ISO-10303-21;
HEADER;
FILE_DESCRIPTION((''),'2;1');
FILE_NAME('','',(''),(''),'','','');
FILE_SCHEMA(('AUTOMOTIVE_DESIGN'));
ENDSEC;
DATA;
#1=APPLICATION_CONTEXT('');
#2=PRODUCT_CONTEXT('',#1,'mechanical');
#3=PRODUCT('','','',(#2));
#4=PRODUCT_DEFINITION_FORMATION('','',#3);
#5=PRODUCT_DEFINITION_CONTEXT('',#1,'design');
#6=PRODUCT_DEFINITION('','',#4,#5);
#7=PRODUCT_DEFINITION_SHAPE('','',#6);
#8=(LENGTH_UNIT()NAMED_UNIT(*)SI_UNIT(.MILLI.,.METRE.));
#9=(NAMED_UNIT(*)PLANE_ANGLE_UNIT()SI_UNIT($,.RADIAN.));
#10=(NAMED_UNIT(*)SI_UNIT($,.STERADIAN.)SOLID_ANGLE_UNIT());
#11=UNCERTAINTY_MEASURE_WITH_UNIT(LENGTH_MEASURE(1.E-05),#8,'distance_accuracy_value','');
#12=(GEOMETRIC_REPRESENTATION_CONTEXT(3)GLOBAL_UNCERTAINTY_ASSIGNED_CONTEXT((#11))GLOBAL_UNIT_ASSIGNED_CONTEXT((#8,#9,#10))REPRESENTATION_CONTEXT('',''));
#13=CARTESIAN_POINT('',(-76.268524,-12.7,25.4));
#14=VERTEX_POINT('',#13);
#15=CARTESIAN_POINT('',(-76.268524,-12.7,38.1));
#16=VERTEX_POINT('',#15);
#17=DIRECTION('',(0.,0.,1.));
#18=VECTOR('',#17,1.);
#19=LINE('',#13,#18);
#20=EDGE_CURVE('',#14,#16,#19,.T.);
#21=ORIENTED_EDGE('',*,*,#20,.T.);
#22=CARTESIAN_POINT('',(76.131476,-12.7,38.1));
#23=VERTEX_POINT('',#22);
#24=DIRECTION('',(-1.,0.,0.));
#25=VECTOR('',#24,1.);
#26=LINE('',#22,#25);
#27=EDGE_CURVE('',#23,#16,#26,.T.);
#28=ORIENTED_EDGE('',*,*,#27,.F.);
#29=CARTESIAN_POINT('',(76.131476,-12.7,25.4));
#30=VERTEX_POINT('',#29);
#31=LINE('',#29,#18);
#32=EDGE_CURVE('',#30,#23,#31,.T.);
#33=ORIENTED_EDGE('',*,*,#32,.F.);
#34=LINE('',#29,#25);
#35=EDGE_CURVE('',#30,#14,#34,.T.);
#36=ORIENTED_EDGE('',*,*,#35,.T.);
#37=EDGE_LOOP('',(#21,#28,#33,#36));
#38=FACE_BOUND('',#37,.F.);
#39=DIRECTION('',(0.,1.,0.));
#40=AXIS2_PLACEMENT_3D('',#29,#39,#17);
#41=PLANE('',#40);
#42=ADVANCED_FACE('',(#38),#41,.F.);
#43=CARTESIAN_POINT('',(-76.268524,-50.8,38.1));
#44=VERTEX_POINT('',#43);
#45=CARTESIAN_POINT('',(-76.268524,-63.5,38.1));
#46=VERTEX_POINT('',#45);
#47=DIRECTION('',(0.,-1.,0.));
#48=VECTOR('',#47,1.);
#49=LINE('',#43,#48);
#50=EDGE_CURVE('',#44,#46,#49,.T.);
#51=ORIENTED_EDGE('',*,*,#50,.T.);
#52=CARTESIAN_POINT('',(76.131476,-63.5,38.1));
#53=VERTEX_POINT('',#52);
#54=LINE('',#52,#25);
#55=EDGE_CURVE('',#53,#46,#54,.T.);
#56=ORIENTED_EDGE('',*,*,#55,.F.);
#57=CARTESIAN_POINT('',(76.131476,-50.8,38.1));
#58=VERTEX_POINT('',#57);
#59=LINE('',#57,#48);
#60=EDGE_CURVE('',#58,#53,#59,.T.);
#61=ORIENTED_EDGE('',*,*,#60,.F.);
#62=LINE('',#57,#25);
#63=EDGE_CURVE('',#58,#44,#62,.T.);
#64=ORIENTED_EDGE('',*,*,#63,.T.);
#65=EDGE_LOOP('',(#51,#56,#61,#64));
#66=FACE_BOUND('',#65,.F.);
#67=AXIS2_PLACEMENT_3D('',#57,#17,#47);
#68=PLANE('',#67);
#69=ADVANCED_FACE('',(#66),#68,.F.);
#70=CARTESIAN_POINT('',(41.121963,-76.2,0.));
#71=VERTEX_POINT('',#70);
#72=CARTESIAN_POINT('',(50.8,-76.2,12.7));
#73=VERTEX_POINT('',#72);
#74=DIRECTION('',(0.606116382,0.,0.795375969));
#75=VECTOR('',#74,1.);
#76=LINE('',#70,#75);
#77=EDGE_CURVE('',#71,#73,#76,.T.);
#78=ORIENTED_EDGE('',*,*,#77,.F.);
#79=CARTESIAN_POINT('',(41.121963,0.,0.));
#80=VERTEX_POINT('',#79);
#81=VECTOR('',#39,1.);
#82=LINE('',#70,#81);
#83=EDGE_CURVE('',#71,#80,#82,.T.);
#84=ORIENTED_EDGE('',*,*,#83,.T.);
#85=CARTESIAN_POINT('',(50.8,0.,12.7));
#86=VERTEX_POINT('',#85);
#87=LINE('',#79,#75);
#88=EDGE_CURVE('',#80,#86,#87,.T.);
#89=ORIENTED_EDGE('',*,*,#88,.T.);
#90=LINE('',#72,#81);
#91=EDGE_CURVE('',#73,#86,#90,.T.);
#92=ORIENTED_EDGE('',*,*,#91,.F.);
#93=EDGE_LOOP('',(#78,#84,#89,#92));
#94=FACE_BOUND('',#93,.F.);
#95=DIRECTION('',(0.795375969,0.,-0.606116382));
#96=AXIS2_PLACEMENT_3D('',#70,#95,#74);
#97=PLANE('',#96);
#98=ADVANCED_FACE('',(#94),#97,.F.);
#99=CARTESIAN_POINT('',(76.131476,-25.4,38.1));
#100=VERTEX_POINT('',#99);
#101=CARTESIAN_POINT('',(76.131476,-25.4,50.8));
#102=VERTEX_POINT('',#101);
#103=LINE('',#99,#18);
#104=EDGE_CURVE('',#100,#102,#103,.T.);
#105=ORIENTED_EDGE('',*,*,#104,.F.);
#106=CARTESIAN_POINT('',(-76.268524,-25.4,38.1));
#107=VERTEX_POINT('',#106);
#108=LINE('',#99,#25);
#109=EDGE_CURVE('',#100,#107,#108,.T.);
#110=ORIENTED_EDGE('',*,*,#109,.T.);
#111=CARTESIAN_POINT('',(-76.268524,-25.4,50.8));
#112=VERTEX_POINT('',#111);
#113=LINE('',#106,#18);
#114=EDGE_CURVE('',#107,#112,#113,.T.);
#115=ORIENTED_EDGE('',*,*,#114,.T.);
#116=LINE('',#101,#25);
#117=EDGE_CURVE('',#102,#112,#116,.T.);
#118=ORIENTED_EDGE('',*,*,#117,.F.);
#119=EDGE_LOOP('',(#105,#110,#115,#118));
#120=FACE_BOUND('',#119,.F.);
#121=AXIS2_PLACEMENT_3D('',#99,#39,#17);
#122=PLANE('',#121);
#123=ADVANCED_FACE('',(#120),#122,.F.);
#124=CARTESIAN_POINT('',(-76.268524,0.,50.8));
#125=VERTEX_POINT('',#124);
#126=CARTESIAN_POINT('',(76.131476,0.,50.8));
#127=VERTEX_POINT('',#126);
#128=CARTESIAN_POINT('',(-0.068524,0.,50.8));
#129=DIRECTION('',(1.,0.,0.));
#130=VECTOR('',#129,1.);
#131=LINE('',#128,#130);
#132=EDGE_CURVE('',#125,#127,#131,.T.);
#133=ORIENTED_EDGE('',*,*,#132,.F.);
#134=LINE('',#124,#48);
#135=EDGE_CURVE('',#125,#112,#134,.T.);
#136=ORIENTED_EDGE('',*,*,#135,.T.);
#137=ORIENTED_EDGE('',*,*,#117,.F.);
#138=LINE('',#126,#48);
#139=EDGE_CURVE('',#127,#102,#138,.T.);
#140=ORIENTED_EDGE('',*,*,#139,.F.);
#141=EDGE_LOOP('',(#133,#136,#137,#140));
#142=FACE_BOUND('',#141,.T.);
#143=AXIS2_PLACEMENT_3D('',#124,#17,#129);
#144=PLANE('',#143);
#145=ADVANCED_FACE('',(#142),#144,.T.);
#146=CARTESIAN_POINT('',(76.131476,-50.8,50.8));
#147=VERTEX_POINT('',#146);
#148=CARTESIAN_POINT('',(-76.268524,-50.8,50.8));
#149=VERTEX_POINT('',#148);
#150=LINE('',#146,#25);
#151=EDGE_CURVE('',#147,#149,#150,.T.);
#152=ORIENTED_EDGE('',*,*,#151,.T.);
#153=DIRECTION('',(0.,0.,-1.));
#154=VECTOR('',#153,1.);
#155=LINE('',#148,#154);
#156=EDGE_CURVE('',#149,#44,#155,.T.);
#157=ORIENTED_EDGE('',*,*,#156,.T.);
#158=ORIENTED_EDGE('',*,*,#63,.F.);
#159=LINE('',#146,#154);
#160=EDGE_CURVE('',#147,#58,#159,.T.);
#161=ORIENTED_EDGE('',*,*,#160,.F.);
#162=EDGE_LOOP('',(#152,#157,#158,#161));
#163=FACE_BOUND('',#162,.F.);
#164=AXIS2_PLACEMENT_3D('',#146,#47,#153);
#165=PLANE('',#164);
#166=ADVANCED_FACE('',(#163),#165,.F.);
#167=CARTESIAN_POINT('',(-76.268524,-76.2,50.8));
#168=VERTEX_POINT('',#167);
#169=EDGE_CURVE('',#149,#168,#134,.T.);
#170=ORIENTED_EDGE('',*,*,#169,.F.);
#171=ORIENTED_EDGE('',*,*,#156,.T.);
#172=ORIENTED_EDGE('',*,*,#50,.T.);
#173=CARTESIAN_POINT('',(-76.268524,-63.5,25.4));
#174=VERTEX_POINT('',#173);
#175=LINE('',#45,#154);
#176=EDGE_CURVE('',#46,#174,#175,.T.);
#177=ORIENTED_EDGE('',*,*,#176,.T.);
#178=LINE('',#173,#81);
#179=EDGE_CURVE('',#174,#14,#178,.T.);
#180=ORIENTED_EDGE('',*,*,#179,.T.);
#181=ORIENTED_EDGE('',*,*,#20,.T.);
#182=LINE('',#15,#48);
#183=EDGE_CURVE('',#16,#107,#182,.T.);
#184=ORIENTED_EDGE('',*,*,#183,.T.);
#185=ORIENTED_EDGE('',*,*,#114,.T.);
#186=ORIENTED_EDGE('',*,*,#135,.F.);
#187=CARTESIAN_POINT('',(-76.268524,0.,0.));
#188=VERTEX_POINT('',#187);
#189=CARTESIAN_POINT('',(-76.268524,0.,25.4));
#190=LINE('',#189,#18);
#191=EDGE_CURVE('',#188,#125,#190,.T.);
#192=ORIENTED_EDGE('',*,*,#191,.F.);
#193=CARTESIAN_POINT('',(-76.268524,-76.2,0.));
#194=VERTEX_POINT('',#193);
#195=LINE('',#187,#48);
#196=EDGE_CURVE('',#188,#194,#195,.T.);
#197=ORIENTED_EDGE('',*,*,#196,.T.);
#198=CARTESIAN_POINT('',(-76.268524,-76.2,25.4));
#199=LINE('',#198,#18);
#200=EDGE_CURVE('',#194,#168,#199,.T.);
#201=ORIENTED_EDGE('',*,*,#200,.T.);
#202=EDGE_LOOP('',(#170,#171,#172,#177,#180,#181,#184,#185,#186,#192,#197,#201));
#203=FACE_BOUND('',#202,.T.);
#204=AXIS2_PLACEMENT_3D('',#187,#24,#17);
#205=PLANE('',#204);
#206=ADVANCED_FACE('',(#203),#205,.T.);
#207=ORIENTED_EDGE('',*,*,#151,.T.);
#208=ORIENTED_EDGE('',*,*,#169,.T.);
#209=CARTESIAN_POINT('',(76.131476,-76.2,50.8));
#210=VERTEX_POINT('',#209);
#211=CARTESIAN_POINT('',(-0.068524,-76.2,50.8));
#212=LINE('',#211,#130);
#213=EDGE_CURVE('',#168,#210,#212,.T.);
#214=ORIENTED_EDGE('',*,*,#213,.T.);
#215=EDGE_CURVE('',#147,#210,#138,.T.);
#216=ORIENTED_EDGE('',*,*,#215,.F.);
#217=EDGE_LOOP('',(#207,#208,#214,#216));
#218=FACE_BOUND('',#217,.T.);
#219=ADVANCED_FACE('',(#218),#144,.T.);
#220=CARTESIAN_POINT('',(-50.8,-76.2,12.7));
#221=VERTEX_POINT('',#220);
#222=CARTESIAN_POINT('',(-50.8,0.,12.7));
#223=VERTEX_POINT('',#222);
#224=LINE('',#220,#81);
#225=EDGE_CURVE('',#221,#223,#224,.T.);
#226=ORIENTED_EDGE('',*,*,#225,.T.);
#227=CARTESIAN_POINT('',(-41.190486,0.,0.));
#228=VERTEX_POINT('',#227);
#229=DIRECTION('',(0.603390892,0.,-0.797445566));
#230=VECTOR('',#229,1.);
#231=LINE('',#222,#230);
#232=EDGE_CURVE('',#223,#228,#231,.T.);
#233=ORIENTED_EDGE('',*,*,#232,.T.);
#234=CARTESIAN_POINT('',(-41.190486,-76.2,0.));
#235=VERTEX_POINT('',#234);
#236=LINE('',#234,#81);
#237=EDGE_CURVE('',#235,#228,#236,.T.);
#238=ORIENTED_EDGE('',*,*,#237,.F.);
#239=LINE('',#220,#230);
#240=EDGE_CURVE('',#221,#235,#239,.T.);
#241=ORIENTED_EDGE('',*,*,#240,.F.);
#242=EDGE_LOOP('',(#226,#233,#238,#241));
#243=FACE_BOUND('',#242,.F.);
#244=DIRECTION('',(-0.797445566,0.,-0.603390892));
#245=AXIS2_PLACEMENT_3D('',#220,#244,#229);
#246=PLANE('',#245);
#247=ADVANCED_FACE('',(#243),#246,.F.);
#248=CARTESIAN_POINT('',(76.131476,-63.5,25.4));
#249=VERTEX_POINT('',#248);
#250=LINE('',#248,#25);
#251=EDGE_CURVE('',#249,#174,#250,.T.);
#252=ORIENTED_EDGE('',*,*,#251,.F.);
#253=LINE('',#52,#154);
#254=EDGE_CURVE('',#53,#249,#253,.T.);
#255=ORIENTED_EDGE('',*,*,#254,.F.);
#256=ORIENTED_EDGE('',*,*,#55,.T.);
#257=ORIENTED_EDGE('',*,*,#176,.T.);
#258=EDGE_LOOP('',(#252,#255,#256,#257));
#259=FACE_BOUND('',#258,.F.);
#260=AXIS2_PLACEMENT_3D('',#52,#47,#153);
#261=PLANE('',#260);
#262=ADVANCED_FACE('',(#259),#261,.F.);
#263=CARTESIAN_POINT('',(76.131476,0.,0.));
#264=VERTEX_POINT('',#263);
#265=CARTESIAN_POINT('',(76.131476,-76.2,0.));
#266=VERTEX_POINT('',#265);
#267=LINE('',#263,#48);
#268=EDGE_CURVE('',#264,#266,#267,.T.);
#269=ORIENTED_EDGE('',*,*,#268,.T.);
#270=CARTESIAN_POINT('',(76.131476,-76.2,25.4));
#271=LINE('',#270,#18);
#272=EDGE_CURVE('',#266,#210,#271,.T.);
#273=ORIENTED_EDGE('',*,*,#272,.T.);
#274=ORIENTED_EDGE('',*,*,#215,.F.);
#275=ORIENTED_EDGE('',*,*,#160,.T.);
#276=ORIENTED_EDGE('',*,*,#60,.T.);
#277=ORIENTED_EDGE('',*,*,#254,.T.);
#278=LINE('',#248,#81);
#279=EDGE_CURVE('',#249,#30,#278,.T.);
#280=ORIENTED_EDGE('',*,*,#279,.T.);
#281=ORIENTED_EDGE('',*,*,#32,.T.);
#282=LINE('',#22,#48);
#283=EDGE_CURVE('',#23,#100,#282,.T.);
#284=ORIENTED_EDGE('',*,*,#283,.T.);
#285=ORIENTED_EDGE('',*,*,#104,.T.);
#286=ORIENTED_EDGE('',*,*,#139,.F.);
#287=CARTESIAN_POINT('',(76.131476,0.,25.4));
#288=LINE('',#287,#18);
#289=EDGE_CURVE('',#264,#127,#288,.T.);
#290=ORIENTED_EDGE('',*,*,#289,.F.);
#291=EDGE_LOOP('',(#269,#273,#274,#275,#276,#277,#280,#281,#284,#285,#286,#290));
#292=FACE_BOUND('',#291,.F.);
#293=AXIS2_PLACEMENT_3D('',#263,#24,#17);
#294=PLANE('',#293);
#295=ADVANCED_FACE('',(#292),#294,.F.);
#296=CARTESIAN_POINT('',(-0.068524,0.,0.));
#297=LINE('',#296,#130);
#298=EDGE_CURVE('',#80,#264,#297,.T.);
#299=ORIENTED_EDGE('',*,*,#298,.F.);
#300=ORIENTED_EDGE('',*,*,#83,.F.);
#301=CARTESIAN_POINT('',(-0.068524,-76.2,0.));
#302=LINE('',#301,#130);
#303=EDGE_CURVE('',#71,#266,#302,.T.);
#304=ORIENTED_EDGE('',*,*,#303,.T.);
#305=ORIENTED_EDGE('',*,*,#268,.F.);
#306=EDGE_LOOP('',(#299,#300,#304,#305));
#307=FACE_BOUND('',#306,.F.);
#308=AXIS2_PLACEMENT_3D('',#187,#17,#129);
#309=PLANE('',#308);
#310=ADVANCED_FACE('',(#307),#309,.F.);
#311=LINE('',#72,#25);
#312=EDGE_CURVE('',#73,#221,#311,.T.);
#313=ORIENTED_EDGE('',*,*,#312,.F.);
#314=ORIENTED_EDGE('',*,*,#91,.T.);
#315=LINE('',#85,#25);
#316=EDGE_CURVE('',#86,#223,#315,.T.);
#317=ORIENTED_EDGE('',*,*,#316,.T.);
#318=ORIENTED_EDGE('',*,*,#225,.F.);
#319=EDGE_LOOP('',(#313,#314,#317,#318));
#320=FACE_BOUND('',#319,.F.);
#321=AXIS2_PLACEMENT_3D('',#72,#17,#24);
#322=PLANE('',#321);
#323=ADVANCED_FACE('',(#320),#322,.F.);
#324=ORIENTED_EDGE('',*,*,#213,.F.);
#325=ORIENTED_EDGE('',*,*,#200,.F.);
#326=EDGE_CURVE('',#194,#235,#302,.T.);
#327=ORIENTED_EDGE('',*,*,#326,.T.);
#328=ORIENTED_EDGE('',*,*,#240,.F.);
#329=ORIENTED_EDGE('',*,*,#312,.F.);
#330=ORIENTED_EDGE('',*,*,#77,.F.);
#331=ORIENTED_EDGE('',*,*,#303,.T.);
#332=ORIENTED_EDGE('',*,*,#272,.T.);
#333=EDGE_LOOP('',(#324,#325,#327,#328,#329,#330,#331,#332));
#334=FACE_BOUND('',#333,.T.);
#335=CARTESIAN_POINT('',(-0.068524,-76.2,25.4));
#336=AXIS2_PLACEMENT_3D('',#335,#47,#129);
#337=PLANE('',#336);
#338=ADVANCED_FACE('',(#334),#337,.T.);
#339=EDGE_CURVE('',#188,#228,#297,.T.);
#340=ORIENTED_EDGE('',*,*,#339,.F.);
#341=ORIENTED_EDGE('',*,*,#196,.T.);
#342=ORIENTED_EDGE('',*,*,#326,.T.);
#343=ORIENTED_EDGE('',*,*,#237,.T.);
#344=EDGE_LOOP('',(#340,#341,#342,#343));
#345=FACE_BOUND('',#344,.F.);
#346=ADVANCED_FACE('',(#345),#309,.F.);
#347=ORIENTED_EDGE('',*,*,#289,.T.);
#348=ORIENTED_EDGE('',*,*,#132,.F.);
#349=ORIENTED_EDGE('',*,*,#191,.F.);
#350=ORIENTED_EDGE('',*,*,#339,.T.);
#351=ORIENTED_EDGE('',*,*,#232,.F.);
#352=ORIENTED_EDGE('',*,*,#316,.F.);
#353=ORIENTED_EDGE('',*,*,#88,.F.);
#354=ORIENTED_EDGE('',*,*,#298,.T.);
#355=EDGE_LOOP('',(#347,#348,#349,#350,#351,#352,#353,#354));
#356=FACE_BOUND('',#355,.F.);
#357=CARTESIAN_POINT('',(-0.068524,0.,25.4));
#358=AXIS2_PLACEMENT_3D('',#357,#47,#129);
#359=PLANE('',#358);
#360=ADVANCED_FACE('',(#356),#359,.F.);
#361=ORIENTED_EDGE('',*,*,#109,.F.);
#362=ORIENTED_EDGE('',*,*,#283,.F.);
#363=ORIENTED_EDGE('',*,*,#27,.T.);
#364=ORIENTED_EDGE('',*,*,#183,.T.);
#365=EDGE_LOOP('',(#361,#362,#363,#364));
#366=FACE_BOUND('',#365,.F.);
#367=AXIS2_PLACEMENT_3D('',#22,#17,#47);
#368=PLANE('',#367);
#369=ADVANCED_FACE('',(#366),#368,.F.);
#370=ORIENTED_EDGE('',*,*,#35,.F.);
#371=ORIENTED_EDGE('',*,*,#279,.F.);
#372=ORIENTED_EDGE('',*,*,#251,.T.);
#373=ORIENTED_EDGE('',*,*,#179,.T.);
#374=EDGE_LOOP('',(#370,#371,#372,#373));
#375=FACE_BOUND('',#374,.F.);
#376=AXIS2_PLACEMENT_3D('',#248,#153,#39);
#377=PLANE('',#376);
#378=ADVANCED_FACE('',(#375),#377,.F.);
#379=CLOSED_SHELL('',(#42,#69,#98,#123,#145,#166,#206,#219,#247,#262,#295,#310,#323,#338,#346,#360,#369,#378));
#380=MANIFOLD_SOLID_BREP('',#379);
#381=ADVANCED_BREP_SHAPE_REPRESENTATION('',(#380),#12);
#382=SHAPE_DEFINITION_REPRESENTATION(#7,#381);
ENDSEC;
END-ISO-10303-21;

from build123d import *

# Parameters (mm, degrees)
F0_W     = 152.4
F0_H     = 50.8
F1_DEPTH = 76.2
F3_DEPTH = 76.2
F5_DEPTH = 152.4


with BuildPart() as f1:
    # F0 (on Front) → F1 (new body)
    with BuildSketch(Plane.XZ):
        with Locations((-0.068524, 25.4)):
            Rectangle(F0_W, F0_H)
    extrude(amount=F1_DEPTH)

    # F2 (on face) → F3 (cut, through all)
    with BuildSketch(Plane.XZ.offset(76.2)):
        Polygon((0, 12.7), (0, 0), (41.121963, 0), (50.8, 12.7), align=None)
        Polygon((-41.190486, 0), (0, 0), (0, 12.7), (-50.8, 12.7), align=None)
    extrude(amount=-F3_DEPTH, mode=Mode.SUBTRACT)

    # F4 (on face) → F5 (cut, through all)
    with BuildSketch(Plane.YZ.offset(76.131476)):
        Polygon((-63.5, 25.4), (-12.7, 25.4), (-12.7, 38.1), (-25.4, 38.1), (-25.4, 50.8), (-49.570005, 50.8), (-50.8, 50.8), (-50.8, 38.1), (-63.5, 38.1), align=None)
    extrude(amount=-F5_DEPTH, mode=Mode.SUBTRACT)


solid = f1.part
